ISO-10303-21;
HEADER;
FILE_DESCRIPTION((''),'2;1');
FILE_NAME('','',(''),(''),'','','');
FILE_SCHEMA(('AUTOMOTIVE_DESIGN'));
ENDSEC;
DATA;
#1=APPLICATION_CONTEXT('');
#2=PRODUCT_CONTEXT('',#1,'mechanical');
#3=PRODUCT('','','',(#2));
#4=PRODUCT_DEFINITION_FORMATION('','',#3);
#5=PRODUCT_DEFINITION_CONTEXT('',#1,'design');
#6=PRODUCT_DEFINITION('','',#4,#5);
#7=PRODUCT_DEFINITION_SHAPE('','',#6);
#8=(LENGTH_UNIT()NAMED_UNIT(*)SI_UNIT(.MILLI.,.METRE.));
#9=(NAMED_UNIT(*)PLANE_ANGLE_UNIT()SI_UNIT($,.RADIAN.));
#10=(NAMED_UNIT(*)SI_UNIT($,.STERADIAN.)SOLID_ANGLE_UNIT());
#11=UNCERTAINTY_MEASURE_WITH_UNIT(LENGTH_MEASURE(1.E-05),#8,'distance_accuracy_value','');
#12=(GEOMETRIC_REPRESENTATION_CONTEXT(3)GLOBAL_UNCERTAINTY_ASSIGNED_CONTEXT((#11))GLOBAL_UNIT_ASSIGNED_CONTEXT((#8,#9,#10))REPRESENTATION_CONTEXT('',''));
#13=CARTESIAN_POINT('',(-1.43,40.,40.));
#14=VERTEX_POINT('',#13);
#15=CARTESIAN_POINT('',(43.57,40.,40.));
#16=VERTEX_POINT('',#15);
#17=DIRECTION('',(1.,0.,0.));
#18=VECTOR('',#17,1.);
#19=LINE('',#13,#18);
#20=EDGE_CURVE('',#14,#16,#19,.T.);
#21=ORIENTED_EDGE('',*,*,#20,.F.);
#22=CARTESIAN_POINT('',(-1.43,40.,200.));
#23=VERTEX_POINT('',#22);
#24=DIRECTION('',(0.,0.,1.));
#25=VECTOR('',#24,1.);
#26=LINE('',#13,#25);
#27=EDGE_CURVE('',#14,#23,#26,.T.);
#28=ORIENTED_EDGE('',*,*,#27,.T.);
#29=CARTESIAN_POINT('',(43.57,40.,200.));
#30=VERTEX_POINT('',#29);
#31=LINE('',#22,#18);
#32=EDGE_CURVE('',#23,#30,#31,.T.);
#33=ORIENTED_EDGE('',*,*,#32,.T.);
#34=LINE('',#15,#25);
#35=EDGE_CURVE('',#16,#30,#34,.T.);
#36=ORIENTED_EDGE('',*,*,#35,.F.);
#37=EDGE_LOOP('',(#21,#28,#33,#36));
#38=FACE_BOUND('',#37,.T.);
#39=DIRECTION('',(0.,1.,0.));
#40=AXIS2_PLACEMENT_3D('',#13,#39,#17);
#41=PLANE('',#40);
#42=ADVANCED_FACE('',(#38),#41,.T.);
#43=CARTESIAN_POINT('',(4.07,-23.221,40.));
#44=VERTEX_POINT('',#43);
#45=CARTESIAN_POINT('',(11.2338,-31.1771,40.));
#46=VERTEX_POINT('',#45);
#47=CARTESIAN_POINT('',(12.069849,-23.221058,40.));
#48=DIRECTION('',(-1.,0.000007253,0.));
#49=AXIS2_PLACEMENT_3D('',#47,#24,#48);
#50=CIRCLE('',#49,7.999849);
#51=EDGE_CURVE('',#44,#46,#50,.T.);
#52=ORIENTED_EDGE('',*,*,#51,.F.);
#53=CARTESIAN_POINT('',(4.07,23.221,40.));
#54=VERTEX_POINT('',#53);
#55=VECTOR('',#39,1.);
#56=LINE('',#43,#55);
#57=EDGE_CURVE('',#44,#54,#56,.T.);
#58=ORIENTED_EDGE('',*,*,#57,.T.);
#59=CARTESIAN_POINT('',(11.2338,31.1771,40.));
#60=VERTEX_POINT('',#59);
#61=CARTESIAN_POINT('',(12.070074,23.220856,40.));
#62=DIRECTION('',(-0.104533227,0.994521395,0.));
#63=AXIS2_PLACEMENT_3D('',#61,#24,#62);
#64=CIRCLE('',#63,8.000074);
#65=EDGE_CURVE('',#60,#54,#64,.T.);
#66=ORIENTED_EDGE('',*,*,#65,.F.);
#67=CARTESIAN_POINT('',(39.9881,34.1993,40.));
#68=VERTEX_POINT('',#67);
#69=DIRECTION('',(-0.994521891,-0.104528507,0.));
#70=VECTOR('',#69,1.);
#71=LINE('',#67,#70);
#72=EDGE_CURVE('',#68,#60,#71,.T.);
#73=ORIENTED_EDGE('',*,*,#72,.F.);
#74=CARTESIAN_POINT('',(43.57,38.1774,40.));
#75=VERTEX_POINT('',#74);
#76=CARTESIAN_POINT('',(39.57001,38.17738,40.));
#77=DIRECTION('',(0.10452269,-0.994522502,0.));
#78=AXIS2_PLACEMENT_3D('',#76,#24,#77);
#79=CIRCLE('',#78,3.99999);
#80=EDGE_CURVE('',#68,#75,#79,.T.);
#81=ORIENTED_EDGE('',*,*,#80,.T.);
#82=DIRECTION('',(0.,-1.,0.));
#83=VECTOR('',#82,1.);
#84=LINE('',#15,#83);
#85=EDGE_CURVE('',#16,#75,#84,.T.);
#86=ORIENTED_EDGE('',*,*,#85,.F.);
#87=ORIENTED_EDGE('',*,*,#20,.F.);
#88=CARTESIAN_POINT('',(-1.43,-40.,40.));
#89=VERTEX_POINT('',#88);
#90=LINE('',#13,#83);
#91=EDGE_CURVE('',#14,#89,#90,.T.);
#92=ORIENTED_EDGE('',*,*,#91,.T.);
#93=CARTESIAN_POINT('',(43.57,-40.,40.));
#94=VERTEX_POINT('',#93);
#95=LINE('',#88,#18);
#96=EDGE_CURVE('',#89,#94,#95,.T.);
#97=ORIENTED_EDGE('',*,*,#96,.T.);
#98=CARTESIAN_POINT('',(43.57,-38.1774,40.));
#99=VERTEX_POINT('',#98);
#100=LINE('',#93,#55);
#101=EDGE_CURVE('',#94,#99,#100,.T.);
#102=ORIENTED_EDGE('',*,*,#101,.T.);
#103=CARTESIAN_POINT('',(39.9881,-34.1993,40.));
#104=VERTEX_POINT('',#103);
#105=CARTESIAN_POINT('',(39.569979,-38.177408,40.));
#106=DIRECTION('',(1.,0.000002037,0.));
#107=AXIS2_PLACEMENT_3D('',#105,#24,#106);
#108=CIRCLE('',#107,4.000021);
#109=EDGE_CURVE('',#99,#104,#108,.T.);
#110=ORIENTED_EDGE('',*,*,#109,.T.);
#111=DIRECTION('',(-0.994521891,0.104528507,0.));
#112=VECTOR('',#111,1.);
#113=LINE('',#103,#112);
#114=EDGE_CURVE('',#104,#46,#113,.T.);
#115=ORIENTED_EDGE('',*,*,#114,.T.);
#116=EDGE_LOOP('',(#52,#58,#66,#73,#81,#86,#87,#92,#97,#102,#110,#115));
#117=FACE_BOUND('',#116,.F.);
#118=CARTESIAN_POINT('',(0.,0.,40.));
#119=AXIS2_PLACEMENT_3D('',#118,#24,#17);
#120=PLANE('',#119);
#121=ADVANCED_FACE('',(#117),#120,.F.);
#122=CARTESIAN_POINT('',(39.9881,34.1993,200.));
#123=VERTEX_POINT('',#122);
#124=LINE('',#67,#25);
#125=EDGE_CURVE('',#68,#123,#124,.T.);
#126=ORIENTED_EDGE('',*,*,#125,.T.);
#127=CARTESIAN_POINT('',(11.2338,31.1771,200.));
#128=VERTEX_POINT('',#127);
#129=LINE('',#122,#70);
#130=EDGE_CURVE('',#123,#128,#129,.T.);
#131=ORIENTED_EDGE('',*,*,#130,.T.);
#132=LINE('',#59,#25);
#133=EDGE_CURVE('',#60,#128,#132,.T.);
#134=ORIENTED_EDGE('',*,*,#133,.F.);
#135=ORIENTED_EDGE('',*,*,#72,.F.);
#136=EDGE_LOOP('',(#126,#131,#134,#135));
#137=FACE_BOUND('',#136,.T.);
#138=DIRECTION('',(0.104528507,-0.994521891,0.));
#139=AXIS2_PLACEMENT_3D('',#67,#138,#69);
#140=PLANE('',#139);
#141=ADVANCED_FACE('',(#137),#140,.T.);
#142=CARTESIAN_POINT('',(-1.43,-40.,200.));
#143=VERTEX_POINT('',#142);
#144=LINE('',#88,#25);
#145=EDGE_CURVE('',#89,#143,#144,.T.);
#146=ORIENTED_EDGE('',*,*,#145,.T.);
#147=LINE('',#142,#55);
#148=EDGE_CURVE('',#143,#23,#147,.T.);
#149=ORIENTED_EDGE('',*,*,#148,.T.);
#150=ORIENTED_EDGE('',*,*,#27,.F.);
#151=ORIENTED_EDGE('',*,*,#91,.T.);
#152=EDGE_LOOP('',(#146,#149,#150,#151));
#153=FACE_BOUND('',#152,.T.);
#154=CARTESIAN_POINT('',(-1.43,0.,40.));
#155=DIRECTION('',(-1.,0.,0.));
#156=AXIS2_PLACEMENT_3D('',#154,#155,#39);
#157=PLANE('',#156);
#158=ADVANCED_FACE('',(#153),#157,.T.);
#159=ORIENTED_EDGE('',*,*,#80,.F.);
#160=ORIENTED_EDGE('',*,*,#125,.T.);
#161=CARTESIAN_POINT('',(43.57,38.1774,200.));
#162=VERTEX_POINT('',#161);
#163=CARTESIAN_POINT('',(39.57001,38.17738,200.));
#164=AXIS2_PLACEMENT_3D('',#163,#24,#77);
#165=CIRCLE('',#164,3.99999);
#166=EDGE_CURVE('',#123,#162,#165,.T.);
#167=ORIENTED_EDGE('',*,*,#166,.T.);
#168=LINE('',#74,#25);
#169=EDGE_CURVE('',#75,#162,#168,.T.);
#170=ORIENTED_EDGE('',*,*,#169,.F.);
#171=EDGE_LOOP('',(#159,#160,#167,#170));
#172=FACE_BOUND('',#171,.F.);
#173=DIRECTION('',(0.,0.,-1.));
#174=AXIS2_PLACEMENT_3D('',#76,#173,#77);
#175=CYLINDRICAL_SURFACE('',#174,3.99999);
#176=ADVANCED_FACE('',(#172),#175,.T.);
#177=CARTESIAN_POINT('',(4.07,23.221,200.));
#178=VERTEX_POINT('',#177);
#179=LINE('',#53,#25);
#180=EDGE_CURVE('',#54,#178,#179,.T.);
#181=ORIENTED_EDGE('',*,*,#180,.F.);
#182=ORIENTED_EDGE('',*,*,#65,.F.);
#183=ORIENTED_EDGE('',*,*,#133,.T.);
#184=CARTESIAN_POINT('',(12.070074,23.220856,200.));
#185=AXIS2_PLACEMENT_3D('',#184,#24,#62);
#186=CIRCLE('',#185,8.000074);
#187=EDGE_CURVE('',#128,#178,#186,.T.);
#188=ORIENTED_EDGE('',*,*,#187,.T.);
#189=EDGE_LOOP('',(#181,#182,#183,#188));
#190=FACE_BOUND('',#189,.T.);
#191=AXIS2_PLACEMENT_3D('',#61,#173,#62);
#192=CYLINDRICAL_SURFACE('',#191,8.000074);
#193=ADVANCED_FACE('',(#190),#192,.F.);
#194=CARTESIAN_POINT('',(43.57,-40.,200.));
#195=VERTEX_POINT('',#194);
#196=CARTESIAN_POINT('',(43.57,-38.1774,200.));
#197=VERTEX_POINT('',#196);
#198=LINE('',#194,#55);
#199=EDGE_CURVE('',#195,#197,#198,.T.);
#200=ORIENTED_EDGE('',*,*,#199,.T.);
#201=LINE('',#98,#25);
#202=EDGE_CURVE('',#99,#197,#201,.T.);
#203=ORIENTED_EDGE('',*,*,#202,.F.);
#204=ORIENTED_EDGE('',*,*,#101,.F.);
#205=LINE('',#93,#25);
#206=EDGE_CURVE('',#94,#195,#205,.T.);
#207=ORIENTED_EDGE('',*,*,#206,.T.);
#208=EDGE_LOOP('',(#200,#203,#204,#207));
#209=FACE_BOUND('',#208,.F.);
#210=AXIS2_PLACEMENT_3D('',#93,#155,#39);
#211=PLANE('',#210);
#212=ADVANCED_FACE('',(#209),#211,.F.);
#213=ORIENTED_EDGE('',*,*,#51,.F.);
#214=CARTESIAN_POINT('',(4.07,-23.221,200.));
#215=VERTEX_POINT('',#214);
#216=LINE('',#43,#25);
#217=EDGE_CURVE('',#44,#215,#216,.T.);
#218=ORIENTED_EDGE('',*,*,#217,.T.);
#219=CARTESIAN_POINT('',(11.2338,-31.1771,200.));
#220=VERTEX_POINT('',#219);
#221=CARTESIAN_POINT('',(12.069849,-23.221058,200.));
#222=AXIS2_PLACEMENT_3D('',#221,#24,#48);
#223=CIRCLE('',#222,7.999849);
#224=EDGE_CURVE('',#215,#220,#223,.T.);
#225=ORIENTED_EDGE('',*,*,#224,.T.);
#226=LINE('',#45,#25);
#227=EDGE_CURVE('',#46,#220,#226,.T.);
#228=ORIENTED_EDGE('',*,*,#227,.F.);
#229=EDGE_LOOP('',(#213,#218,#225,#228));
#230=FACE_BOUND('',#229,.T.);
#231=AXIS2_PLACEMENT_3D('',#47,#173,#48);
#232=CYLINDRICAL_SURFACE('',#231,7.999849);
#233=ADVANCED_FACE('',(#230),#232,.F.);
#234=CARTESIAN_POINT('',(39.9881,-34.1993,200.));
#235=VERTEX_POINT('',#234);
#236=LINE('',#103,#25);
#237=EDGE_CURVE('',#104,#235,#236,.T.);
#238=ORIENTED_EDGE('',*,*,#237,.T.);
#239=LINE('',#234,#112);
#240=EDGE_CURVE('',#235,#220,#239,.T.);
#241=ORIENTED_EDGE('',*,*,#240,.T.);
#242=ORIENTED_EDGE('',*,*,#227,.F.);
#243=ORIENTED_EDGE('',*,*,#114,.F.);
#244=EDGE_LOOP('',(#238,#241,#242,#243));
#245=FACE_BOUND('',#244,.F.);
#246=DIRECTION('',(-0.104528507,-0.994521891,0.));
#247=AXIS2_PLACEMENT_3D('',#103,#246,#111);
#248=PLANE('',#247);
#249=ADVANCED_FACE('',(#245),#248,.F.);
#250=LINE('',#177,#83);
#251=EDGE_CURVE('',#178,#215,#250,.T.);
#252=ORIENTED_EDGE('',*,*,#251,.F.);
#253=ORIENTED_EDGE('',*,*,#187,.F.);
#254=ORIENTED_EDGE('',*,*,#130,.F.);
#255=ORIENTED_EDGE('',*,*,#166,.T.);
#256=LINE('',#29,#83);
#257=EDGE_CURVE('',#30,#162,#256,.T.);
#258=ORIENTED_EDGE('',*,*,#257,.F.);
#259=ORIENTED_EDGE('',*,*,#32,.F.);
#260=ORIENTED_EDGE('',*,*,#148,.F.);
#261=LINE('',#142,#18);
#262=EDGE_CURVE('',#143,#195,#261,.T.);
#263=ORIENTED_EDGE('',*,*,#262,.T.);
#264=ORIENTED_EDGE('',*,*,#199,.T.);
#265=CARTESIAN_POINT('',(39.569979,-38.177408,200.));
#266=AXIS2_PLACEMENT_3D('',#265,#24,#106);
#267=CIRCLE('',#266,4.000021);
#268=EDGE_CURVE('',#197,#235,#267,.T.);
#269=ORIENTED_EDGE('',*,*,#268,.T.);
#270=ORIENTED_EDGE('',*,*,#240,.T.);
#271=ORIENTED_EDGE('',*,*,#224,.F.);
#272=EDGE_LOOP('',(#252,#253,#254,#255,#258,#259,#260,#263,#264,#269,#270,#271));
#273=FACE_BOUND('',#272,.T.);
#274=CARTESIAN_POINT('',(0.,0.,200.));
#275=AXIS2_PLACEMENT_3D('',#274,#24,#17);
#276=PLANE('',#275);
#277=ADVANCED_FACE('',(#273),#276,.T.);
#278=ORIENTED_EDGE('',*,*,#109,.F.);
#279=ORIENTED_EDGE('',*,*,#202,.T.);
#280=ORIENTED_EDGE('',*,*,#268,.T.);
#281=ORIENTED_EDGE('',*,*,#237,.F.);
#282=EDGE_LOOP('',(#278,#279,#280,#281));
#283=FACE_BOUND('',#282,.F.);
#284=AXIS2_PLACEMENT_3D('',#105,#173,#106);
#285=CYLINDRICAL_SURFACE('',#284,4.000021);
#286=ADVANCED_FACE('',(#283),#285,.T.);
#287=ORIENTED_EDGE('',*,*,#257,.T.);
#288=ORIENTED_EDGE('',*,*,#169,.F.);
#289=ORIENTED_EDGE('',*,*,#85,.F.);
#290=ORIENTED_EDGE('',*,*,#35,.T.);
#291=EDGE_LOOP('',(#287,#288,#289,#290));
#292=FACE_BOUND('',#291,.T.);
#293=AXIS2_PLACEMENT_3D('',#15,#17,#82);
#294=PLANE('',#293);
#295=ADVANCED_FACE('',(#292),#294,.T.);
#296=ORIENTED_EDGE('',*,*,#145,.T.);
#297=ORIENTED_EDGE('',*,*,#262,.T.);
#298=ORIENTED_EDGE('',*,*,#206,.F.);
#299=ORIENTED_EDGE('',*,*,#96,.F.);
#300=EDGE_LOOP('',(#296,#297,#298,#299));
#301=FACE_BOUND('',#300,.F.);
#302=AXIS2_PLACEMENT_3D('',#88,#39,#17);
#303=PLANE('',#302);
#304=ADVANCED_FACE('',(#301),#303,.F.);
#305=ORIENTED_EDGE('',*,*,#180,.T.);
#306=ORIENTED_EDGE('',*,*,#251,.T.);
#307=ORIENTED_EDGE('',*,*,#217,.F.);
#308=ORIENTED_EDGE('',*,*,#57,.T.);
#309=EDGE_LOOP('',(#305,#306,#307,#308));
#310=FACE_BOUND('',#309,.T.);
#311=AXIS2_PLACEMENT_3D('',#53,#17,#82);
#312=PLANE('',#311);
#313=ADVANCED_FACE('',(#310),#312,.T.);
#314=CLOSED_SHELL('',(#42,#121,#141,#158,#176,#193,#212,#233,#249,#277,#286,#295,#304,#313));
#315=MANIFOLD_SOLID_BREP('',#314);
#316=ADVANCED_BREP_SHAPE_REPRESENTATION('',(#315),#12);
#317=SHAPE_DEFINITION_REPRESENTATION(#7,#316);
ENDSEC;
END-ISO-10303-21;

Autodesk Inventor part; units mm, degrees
ref_plane "Начальная плоскость" through (0, 0, 40) normal (0, 0, 1) x (1, 0, 0)
ref_plane "Конечная плоскость" through (0, 0, 200) normal (0, 0, 1) x (1, 0, 0)
sketch "Эскиз" plane through (0, 0, 0) normal (0, 0, 1) x (1, 0, 0)
  line L0 (-1.43, 0) -> (-1.43, 40)
  line L1 (-1.43, 40) -> (43.57, 40)
  line L2 (43.57, 40) -> (43.57, 38.1774)
  line L3 (39.9881, 34.1993) -> (11.2338, 31.1771)
  line L4 (4.07, 23.221) -> (4.07, 0)
  line L5 (4.07, 0) -> (-1.43, 0) construction
  line L6 (23.82, 40) -> (23.82, 32.5) construction
  line L7 (43.57, 34.5758) -> (43.57, 32.5) construction
  line L8 (43.57, 32.5) -> (23.82, 32.5) construction
  line L9 (0, 15) -> (0, -27) construction
  line L10 (-5.539, 0) -> (16.0067, 0) construction
  line L11 (-1.43, 0) -> (-1.43, -40)
  line L12 (-1.43, -40) -> (43.57, -40)
  line L13 (43.57, -40) -> (43.57, -38.1774)
  line L14 (39.9881, -34.1993) -> (11.2338, -31.1771)
  line L15 (4.07, -23.221) -> (4.07, 0)
  arc A0 (11.2338, 31.1771) -> (4.07, 23.221) centre (12.07, 23.221) ccw
  arc A1 (4.07, -23.221) -> (11.2338, -31.1771) centre (12.07, -23.221) ccw
  arc A2 (39.9881, 34.1993) -> (43.57, 38.1774) centre (39.57, 38.1774) ccw
  arc A3 (43.57, -38.1774) -> (39.9881, -34.1993) centre (39.57, -38.1774) ccw
  line L16 (0, 56) -> (0, -56) construction
  line L17 (-15.5135, 0) -> (54.308, 0) construction
  point P0 (4.07, 30.4242)
  point P1 (43.57, -34.5758)
  point P2 (4.07, -30.4242)
  point P3 (23.82, -40)
  point P4 (23.82, -32.5)
  dimension "d0" = 5.5
  dimension "d1" = 40
  dimension "d2" = 45
  dimension "d3" = 7.5
  dimension "d4" = 19.75
  dimension "d5" = 2.0758
  dimension "d23" = 8
  dimension "d24" = 4
  dimension "d25" = 1.43
extrude "Тело" add sketch "Эскиз" along normal up to surface (160 mm away) from surface at 40
sketch "Sketch3" plane through (0, 0, 0) normal (0, 0, 1) x (1, 0, 0)
  line L0 (0, 0) -> (10, 0)
ref_plane "Work Plane3" through (0, 0, 0) normal (0, -1, 0) x (1, 0, 0)
sketch "Sketch4" plane through (0, 0, 0) normal (0, -1, 0) x (1, 0, 0)
  line L0 (-2, 40) -> (12, 40)
  line L1 (-2, 200) -> (12, 200)
  dimension "d29" = 160
ref_plane "РабПлоскость4" through (43.57, -295, 40) normal (0, 0, -1) x (-1, 0, 0)
split "Разделение1" plane through (43.57, -295, 40) removes the side toward (0, 0, -1)
ref_plane "РабПлоскость5" through (-1.43, -295, 200) normal (0, 0, 1) x (1, 0, 0)
split "Разделение2" plane through (-1.43, -295, 200) removes the side toward (0, 0, 1)
equation "\"d0\" = G_T"
equation "\"d1\" = 0.5 * G_H"
equation "\"d2\" = G_W"
equation "\"d3\" = G_T1"
equation "\"d4\" = G_C"
equation "\"d23\" = G_IR"
equation "\"d24\" = G_ER"
equation "\"d25\" = ex"
equation "\"d6\" = G_L"
equation "\"G_W\" = 45"
equation "\"G_T\" = 5.5"
equation "\"G_T1\" = 7.5"
equation "\"G_NG\" = 0.105104"
equation "\"G_ER\" = 4"
equation "\"G_IR\" = 8"
equation "\"G_C\" = 19.75"
equation "\"G_L\" = d29"
equation "\"ex\" = 1.43"
equation "\"G_H\" = 80"
properties part number "ISO 657/11 - CH 80 x 8 - 160" material "Сталь, мягкая"
